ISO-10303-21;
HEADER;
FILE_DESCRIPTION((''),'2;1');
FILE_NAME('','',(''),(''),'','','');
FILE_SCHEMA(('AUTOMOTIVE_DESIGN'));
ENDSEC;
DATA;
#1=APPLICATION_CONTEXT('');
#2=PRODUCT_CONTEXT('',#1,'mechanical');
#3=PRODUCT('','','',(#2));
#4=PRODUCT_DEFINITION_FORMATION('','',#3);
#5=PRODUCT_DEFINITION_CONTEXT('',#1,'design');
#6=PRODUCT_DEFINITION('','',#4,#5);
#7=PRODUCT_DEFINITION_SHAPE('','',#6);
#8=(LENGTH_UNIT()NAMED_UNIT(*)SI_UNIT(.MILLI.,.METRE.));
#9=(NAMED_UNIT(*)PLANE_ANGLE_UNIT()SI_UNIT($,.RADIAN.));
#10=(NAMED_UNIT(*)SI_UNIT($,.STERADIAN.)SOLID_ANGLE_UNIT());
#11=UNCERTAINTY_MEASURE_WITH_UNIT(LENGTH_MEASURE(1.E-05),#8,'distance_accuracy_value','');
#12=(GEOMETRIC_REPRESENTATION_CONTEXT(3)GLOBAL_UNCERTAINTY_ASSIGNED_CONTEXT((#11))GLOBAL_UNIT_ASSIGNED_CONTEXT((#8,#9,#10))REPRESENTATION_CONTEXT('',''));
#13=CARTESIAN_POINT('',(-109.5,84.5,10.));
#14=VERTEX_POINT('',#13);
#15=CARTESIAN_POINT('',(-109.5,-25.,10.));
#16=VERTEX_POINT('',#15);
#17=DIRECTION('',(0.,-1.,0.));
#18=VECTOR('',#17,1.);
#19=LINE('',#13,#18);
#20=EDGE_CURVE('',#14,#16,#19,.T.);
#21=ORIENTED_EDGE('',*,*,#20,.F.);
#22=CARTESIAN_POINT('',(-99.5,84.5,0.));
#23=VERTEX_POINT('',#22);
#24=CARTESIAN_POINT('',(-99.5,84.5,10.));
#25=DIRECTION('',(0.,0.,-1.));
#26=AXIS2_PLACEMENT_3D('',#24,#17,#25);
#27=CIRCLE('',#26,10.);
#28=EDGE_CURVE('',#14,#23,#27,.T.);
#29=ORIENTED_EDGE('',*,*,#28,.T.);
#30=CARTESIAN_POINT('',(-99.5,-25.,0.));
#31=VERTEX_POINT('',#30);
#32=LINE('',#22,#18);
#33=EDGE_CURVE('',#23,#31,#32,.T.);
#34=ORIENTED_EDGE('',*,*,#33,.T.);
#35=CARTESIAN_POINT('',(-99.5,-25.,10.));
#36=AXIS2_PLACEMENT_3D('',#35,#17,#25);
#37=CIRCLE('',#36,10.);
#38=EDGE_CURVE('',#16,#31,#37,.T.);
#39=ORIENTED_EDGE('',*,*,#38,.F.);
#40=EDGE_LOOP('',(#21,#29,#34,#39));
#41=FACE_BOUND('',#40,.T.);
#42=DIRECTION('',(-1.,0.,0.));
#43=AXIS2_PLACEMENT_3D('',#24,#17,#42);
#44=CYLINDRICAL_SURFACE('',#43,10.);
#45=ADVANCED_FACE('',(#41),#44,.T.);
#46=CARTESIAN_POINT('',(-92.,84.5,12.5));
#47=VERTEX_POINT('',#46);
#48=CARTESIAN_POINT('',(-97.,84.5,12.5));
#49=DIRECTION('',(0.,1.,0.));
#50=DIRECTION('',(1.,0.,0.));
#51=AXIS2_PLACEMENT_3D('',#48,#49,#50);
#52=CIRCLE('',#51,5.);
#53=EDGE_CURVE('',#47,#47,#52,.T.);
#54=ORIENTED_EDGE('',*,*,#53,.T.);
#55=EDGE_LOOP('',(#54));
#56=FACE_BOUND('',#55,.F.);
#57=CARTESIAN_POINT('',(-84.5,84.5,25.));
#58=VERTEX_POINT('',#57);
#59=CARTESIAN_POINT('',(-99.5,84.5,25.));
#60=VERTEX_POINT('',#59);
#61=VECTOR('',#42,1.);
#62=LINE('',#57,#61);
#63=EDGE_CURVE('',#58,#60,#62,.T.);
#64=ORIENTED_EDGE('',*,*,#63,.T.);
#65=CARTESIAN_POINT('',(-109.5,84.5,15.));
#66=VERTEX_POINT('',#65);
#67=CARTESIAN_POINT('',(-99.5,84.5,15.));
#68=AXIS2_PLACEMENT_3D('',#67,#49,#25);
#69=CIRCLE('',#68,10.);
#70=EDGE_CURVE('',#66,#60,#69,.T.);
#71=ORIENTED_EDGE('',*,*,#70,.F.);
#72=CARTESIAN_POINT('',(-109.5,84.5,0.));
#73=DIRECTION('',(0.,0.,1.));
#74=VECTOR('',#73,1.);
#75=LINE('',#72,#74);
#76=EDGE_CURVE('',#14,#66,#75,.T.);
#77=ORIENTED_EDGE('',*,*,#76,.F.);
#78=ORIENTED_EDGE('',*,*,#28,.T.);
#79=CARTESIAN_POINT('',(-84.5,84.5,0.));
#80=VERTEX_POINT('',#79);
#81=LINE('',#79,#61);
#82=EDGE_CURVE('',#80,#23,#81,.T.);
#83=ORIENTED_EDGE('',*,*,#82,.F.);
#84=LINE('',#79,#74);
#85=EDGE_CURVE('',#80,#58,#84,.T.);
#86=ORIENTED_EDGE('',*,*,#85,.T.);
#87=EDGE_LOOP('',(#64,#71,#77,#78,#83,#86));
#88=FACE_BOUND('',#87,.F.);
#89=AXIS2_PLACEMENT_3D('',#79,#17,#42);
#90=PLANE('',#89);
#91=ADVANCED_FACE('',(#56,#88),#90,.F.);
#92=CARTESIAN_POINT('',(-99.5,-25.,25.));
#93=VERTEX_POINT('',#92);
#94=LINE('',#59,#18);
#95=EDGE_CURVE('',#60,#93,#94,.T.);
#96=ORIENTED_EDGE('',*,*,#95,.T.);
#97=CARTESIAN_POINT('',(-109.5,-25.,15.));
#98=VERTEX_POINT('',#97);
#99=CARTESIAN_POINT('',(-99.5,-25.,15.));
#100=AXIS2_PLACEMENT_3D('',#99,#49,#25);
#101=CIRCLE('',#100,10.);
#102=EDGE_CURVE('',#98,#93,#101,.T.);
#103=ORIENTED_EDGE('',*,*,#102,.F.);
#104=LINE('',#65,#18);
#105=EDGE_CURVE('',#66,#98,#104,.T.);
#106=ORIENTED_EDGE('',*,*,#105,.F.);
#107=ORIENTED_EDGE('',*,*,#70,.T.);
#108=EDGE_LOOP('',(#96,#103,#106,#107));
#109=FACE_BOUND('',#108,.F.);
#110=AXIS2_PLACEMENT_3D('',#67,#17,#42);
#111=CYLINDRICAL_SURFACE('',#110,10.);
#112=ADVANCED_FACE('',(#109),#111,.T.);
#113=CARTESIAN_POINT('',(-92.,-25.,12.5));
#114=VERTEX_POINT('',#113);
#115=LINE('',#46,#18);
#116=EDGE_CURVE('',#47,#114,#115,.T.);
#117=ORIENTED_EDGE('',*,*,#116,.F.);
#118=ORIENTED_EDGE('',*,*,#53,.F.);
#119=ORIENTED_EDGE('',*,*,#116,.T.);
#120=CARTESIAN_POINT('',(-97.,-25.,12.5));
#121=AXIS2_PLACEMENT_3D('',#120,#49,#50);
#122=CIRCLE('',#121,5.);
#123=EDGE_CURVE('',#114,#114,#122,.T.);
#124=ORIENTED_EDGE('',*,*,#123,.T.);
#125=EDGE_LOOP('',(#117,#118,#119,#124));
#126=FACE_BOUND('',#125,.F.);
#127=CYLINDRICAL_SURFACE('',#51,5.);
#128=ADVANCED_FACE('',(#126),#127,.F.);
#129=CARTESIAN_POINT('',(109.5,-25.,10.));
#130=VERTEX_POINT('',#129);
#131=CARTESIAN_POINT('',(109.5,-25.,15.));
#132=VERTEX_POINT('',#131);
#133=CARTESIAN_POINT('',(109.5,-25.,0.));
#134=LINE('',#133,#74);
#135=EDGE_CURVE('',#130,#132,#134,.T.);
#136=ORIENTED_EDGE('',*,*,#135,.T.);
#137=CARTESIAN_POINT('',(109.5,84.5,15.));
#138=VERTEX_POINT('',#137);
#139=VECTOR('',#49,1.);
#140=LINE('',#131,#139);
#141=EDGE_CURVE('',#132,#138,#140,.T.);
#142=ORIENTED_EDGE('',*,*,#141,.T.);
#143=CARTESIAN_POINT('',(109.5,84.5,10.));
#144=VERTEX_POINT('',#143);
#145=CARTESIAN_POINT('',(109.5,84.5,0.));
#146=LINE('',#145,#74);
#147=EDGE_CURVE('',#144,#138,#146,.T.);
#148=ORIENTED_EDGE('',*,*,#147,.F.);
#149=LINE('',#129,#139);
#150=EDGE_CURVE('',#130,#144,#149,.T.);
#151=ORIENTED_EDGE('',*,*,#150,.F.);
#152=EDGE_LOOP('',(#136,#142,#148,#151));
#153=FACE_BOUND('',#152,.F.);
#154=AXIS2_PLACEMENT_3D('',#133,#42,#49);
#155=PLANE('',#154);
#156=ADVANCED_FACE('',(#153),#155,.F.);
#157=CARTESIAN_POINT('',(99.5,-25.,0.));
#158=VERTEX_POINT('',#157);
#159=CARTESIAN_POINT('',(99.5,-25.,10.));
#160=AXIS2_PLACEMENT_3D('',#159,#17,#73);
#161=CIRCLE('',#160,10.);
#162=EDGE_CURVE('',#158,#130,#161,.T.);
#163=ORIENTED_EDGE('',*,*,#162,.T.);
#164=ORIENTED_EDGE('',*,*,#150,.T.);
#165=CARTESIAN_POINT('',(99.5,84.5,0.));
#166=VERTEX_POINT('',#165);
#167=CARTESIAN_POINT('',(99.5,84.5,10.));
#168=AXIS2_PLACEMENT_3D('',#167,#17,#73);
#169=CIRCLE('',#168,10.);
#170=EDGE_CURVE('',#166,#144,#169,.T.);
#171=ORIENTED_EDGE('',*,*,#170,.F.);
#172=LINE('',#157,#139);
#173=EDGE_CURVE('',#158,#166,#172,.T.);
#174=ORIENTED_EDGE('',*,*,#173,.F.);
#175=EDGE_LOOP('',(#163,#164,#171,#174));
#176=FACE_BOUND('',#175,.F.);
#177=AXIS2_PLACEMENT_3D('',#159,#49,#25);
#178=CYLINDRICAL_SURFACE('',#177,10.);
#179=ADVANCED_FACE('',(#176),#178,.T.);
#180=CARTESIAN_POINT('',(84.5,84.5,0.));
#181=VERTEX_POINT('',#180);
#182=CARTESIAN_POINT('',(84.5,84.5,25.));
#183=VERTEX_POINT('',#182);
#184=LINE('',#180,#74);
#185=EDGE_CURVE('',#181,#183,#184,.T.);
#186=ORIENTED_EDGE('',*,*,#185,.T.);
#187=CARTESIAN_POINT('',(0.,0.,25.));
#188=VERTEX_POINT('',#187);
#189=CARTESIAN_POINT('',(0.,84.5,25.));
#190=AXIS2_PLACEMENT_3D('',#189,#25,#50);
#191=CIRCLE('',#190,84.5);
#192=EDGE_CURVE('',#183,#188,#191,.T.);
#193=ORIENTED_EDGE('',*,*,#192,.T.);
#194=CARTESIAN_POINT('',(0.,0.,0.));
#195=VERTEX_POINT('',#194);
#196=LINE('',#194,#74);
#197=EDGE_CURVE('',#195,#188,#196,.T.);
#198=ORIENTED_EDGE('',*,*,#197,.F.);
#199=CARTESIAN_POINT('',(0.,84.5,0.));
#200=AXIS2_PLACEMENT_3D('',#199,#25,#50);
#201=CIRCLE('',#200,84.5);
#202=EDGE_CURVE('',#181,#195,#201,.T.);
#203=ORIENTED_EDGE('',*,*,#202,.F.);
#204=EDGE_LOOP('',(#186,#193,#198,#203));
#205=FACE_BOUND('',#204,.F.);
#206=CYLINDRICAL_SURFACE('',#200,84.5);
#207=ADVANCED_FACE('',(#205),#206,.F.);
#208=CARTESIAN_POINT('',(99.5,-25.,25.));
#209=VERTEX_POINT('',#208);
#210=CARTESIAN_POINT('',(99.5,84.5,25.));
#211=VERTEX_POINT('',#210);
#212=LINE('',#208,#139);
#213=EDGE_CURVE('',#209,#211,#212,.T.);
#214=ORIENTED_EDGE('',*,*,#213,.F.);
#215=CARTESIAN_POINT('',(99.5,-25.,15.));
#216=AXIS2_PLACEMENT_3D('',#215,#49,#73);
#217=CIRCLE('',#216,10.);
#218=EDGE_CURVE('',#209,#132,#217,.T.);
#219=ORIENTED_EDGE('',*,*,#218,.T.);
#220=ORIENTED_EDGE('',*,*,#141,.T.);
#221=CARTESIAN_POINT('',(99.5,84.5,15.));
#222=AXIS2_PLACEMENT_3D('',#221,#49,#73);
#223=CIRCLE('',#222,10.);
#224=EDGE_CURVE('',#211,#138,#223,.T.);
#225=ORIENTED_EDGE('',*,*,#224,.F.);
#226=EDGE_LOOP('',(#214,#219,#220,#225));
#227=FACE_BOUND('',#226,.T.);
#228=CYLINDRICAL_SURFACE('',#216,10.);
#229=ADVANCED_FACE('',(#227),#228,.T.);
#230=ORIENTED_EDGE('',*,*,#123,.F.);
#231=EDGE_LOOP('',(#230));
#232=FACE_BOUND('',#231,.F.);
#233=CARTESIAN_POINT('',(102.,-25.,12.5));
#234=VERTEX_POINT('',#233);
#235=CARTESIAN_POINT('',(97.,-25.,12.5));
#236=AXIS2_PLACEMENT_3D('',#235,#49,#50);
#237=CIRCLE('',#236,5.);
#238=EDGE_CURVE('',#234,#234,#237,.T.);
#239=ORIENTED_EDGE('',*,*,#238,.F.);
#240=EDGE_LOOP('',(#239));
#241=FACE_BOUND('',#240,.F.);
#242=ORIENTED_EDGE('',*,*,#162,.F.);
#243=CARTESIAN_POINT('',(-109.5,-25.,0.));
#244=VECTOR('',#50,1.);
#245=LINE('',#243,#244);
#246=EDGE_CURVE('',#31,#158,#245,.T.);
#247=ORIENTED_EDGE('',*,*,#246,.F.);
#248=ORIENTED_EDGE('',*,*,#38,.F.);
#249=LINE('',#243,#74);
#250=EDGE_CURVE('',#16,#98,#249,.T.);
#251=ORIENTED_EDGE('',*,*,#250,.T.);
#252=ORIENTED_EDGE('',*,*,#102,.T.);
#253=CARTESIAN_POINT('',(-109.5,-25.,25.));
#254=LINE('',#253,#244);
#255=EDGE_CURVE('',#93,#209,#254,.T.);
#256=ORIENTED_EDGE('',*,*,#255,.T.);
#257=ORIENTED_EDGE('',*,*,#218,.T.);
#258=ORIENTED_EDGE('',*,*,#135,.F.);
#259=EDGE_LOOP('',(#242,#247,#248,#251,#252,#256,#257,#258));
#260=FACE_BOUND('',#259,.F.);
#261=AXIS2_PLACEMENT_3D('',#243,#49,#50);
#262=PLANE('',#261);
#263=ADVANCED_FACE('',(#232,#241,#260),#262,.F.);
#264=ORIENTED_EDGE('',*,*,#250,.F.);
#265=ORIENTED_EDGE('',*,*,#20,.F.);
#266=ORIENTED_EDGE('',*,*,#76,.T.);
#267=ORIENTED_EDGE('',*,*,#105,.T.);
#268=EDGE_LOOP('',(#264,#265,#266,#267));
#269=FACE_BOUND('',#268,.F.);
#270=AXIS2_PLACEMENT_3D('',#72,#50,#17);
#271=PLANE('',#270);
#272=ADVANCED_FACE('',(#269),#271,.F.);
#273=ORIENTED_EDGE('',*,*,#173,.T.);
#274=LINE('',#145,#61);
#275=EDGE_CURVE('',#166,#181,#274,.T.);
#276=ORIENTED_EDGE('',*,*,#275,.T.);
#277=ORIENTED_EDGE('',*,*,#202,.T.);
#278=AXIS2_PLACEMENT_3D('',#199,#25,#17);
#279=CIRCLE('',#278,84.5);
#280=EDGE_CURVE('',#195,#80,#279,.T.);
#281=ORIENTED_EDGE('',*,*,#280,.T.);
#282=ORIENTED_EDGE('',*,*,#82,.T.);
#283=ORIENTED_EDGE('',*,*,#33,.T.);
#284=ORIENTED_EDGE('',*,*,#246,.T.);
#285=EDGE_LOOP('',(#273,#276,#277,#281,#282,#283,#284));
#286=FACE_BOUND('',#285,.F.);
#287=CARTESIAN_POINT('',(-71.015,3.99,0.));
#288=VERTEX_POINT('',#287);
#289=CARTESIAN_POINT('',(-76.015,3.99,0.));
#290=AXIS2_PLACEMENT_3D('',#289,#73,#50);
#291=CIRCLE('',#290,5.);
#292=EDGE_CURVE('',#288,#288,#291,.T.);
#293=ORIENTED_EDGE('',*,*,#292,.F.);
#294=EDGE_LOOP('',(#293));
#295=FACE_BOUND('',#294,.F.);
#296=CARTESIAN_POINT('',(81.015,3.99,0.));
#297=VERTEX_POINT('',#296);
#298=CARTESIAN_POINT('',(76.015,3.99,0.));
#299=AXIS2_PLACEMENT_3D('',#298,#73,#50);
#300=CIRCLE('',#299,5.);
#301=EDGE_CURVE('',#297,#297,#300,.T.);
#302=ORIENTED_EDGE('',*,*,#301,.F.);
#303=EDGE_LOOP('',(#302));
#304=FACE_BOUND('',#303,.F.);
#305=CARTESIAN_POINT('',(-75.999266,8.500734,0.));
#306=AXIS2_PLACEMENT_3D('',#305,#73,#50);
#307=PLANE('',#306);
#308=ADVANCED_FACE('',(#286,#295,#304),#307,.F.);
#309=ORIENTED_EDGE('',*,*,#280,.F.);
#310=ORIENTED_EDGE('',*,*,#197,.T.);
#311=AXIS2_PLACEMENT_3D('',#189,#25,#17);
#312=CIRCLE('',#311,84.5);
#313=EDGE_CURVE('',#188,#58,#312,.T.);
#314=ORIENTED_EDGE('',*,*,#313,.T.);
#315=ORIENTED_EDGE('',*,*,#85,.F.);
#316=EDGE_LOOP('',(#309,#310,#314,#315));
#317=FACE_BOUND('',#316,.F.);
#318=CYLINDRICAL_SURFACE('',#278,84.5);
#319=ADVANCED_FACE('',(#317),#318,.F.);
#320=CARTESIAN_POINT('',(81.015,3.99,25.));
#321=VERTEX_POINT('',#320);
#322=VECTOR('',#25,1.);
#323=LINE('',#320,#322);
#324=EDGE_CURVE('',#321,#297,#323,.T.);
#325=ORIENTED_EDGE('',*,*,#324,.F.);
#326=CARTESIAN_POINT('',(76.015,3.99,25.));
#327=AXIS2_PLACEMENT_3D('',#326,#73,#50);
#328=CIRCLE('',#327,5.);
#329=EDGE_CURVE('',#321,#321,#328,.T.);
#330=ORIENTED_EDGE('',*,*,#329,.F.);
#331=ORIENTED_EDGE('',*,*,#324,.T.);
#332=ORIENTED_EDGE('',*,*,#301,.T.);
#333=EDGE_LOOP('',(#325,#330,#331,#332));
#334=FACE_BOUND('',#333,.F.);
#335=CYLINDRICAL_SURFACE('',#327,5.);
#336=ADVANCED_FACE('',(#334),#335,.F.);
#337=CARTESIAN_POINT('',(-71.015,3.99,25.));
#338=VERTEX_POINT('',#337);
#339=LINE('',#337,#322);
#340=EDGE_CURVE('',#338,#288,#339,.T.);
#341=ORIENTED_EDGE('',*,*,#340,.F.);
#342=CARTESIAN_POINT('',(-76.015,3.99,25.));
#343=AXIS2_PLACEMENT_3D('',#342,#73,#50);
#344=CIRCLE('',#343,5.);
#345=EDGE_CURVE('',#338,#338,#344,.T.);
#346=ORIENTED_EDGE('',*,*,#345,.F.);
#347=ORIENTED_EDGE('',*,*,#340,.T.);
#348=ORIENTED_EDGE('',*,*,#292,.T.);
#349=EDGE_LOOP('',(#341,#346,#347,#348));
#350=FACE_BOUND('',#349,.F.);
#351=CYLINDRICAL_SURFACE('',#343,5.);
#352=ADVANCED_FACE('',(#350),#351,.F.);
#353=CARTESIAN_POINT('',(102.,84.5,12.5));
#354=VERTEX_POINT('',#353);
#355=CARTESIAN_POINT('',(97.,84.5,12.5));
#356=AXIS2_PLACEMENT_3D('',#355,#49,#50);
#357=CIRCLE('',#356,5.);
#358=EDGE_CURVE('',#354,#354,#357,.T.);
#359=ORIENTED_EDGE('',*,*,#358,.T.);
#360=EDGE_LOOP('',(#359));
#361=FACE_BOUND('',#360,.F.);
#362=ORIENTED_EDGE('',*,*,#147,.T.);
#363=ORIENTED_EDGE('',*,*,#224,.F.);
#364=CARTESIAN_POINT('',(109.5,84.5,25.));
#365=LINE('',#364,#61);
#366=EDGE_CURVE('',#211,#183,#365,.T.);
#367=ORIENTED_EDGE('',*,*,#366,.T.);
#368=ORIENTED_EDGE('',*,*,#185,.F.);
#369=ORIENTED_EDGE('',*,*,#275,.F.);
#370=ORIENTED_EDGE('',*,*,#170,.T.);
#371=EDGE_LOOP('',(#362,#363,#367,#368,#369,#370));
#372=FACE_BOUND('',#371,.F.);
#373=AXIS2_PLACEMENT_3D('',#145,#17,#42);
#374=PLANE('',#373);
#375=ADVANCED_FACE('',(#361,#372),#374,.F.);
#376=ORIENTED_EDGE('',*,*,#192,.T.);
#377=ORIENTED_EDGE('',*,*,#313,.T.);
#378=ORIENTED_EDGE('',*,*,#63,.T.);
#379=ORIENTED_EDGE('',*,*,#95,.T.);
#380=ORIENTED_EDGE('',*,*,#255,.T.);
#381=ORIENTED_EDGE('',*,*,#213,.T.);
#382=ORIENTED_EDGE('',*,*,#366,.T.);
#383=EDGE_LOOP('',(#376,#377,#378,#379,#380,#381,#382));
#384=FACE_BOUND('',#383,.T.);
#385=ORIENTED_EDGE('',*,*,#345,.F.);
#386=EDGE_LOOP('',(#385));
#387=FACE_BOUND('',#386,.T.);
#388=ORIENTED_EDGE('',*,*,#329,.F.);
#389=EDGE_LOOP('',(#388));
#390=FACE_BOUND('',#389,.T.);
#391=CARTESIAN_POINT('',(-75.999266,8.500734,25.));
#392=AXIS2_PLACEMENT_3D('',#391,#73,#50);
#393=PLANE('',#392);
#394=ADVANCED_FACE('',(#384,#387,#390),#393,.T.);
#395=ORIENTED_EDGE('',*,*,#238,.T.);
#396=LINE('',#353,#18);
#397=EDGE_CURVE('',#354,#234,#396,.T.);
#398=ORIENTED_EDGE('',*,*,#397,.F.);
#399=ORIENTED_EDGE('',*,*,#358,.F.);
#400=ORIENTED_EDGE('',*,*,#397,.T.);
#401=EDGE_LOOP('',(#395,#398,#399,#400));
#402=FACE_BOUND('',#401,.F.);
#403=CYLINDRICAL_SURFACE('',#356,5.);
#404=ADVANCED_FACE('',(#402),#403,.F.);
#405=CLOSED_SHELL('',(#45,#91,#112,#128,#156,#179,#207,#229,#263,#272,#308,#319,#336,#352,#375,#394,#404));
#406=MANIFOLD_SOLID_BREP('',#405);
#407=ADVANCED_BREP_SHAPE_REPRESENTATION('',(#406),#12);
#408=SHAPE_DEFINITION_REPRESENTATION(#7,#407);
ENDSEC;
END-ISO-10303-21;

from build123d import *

# Parameters (mm, degrees)
BOSS_EXTRUDE1_DEPTH = 25
SKETCH5_R           = 5
CUT_EXTRUDE1_DEPTH  = 5000
SKETCH6_R           = 5
CUT_EXTRUDE2_DEPTH  = 5000
FILLET2_R           = 10


with BuildPart() as part:
    # Sketch4 → Boss-Extrude1 (new body)
    with BuildSketch(Plane.XY):
        with BuildLine():
            ThreePointArc((0, -25), (-77.42819254, 7.07180746), (-109.5, 84.5))
            Line((-109.5, 84.5), (-109.5, -25))
            Line((-109.5, -25), (0, -25))
        make_face()
        with BuildLine():
            ThreePointArc((84.5, 84.5), (59.75052301, 24.74947699), (0, 0))
            ThreePointArc((0, 0), (-59.75052301, 24.74947699), (-84.5, 84.5))
            Line((-84.5, 84.5), (-109.5, 84.5))
            ThreePointArc((-109.5, 84.5), (-77.42819254, 7.07180746), (0, -25))
            ThreePointArc((0, -25), (77.42819254, 7.07180746), (109.5, 84.5))
            Line((109.5, 84.5), (84.5, 84.5))
        make_face()
        with BuildLine():
            Line((109.5, -25), (109.5, 84.5))
            ThreePointArc((109.5, 84.5), (77.42819254, 7.07180746), (0, -25))
            Line((0, -25), (109.5, -25))
        make_face()
    extrude(amount=BOSS_EXTRUDE1_DEPTH)

    # Sketch5 → Cut-Extrude1 (cut)
    with BuildSketch(Plane(origin=(0, 84.5, 0), x_dir=(1, 0, 0), z_dir=(0, 1, 0))):
        with Locations((-97, -12.5)):
            Circle(SKETCH5_R)
        with Locations((97, -12.5)):
            Circle(SKETCH5_R)
    extrude(amount=-CUT_EXTRUDE1_DEPTH, mode=Mode.SUBTRACT)

    # Sketch6 → Cut-Extrude2 (cut)
    with BuildSketch(Plane.XY.offset(25)):
        with Locations((-76.015, 3.99)):
            Circle(SKETCH6_R)
        with Locations((76.015, 3.99)):
            Circle(SKETCH6_R)
    extrude(amount=-CUT_EXTRUDE2_DEPTH, mode=Mode.SUBTRACT)

    # Fillet2
    fillet2_edges = [part.edges().sort_by_distance(p)[0] for p in [
        (109.5, 29.75, 25),
        (-109.5, 29.75, 25),
        (-109.5, 29.75, 0),
        (109.5, 29.75, 0),
    ]]
    fillet(fillet2_edges, radius=FILLET2_R)


solid = part.part
